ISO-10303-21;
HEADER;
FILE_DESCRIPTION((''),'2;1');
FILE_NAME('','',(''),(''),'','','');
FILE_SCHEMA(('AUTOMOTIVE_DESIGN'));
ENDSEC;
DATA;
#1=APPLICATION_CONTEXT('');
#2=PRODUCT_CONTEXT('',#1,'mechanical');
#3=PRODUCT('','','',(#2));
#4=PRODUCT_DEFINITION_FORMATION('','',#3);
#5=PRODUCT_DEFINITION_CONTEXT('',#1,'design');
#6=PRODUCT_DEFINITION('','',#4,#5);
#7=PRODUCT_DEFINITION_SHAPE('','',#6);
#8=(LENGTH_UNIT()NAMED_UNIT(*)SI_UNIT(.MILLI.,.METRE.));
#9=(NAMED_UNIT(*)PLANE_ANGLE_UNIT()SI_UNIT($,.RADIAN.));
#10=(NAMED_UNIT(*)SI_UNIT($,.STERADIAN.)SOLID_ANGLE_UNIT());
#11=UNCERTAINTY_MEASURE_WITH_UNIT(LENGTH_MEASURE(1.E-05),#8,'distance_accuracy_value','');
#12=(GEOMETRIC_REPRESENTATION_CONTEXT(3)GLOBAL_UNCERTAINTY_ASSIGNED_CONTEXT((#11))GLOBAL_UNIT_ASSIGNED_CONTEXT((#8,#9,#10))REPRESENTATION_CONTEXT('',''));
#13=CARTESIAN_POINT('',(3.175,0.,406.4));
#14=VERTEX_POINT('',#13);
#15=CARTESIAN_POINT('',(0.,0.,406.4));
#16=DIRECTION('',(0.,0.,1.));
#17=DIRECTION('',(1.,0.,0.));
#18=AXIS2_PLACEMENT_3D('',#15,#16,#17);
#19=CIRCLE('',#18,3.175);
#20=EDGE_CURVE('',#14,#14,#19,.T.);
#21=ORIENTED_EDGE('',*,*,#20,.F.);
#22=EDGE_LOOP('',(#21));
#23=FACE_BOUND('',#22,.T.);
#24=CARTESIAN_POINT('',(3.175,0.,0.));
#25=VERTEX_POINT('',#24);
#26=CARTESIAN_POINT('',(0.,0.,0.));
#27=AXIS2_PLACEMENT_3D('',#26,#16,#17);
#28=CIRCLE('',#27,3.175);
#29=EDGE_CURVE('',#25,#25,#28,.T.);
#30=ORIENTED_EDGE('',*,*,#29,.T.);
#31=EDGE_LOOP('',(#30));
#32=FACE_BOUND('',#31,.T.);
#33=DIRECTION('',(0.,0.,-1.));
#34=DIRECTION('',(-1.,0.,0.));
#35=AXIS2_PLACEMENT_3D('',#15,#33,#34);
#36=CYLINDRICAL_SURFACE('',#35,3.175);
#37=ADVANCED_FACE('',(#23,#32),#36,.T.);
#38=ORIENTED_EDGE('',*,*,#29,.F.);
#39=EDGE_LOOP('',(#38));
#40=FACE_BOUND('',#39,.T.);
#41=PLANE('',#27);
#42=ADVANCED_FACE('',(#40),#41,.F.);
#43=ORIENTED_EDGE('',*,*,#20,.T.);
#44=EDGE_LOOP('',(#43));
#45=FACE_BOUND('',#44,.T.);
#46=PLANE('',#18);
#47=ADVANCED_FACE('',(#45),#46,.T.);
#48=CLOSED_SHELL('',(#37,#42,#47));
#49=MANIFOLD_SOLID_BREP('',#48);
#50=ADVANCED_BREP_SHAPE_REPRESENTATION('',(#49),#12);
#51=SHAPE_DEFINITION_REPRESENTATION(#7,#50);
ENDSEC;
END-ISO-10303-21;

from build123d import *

# Parameters (mm, degrees)
SKETCH1_R           = 3.175
BOSS_EXTRUDE1_DEPTH = 406.4


with BuildPart() as part:
    # Sketch1 → Boss-Extrude1 (new body)
    with BuildSketch(Plane.XY):
        Circle(SKETCH1_R)
    extrude(amount=BOSS_EXTRUDE1_DEPTH)


solid = part.part
